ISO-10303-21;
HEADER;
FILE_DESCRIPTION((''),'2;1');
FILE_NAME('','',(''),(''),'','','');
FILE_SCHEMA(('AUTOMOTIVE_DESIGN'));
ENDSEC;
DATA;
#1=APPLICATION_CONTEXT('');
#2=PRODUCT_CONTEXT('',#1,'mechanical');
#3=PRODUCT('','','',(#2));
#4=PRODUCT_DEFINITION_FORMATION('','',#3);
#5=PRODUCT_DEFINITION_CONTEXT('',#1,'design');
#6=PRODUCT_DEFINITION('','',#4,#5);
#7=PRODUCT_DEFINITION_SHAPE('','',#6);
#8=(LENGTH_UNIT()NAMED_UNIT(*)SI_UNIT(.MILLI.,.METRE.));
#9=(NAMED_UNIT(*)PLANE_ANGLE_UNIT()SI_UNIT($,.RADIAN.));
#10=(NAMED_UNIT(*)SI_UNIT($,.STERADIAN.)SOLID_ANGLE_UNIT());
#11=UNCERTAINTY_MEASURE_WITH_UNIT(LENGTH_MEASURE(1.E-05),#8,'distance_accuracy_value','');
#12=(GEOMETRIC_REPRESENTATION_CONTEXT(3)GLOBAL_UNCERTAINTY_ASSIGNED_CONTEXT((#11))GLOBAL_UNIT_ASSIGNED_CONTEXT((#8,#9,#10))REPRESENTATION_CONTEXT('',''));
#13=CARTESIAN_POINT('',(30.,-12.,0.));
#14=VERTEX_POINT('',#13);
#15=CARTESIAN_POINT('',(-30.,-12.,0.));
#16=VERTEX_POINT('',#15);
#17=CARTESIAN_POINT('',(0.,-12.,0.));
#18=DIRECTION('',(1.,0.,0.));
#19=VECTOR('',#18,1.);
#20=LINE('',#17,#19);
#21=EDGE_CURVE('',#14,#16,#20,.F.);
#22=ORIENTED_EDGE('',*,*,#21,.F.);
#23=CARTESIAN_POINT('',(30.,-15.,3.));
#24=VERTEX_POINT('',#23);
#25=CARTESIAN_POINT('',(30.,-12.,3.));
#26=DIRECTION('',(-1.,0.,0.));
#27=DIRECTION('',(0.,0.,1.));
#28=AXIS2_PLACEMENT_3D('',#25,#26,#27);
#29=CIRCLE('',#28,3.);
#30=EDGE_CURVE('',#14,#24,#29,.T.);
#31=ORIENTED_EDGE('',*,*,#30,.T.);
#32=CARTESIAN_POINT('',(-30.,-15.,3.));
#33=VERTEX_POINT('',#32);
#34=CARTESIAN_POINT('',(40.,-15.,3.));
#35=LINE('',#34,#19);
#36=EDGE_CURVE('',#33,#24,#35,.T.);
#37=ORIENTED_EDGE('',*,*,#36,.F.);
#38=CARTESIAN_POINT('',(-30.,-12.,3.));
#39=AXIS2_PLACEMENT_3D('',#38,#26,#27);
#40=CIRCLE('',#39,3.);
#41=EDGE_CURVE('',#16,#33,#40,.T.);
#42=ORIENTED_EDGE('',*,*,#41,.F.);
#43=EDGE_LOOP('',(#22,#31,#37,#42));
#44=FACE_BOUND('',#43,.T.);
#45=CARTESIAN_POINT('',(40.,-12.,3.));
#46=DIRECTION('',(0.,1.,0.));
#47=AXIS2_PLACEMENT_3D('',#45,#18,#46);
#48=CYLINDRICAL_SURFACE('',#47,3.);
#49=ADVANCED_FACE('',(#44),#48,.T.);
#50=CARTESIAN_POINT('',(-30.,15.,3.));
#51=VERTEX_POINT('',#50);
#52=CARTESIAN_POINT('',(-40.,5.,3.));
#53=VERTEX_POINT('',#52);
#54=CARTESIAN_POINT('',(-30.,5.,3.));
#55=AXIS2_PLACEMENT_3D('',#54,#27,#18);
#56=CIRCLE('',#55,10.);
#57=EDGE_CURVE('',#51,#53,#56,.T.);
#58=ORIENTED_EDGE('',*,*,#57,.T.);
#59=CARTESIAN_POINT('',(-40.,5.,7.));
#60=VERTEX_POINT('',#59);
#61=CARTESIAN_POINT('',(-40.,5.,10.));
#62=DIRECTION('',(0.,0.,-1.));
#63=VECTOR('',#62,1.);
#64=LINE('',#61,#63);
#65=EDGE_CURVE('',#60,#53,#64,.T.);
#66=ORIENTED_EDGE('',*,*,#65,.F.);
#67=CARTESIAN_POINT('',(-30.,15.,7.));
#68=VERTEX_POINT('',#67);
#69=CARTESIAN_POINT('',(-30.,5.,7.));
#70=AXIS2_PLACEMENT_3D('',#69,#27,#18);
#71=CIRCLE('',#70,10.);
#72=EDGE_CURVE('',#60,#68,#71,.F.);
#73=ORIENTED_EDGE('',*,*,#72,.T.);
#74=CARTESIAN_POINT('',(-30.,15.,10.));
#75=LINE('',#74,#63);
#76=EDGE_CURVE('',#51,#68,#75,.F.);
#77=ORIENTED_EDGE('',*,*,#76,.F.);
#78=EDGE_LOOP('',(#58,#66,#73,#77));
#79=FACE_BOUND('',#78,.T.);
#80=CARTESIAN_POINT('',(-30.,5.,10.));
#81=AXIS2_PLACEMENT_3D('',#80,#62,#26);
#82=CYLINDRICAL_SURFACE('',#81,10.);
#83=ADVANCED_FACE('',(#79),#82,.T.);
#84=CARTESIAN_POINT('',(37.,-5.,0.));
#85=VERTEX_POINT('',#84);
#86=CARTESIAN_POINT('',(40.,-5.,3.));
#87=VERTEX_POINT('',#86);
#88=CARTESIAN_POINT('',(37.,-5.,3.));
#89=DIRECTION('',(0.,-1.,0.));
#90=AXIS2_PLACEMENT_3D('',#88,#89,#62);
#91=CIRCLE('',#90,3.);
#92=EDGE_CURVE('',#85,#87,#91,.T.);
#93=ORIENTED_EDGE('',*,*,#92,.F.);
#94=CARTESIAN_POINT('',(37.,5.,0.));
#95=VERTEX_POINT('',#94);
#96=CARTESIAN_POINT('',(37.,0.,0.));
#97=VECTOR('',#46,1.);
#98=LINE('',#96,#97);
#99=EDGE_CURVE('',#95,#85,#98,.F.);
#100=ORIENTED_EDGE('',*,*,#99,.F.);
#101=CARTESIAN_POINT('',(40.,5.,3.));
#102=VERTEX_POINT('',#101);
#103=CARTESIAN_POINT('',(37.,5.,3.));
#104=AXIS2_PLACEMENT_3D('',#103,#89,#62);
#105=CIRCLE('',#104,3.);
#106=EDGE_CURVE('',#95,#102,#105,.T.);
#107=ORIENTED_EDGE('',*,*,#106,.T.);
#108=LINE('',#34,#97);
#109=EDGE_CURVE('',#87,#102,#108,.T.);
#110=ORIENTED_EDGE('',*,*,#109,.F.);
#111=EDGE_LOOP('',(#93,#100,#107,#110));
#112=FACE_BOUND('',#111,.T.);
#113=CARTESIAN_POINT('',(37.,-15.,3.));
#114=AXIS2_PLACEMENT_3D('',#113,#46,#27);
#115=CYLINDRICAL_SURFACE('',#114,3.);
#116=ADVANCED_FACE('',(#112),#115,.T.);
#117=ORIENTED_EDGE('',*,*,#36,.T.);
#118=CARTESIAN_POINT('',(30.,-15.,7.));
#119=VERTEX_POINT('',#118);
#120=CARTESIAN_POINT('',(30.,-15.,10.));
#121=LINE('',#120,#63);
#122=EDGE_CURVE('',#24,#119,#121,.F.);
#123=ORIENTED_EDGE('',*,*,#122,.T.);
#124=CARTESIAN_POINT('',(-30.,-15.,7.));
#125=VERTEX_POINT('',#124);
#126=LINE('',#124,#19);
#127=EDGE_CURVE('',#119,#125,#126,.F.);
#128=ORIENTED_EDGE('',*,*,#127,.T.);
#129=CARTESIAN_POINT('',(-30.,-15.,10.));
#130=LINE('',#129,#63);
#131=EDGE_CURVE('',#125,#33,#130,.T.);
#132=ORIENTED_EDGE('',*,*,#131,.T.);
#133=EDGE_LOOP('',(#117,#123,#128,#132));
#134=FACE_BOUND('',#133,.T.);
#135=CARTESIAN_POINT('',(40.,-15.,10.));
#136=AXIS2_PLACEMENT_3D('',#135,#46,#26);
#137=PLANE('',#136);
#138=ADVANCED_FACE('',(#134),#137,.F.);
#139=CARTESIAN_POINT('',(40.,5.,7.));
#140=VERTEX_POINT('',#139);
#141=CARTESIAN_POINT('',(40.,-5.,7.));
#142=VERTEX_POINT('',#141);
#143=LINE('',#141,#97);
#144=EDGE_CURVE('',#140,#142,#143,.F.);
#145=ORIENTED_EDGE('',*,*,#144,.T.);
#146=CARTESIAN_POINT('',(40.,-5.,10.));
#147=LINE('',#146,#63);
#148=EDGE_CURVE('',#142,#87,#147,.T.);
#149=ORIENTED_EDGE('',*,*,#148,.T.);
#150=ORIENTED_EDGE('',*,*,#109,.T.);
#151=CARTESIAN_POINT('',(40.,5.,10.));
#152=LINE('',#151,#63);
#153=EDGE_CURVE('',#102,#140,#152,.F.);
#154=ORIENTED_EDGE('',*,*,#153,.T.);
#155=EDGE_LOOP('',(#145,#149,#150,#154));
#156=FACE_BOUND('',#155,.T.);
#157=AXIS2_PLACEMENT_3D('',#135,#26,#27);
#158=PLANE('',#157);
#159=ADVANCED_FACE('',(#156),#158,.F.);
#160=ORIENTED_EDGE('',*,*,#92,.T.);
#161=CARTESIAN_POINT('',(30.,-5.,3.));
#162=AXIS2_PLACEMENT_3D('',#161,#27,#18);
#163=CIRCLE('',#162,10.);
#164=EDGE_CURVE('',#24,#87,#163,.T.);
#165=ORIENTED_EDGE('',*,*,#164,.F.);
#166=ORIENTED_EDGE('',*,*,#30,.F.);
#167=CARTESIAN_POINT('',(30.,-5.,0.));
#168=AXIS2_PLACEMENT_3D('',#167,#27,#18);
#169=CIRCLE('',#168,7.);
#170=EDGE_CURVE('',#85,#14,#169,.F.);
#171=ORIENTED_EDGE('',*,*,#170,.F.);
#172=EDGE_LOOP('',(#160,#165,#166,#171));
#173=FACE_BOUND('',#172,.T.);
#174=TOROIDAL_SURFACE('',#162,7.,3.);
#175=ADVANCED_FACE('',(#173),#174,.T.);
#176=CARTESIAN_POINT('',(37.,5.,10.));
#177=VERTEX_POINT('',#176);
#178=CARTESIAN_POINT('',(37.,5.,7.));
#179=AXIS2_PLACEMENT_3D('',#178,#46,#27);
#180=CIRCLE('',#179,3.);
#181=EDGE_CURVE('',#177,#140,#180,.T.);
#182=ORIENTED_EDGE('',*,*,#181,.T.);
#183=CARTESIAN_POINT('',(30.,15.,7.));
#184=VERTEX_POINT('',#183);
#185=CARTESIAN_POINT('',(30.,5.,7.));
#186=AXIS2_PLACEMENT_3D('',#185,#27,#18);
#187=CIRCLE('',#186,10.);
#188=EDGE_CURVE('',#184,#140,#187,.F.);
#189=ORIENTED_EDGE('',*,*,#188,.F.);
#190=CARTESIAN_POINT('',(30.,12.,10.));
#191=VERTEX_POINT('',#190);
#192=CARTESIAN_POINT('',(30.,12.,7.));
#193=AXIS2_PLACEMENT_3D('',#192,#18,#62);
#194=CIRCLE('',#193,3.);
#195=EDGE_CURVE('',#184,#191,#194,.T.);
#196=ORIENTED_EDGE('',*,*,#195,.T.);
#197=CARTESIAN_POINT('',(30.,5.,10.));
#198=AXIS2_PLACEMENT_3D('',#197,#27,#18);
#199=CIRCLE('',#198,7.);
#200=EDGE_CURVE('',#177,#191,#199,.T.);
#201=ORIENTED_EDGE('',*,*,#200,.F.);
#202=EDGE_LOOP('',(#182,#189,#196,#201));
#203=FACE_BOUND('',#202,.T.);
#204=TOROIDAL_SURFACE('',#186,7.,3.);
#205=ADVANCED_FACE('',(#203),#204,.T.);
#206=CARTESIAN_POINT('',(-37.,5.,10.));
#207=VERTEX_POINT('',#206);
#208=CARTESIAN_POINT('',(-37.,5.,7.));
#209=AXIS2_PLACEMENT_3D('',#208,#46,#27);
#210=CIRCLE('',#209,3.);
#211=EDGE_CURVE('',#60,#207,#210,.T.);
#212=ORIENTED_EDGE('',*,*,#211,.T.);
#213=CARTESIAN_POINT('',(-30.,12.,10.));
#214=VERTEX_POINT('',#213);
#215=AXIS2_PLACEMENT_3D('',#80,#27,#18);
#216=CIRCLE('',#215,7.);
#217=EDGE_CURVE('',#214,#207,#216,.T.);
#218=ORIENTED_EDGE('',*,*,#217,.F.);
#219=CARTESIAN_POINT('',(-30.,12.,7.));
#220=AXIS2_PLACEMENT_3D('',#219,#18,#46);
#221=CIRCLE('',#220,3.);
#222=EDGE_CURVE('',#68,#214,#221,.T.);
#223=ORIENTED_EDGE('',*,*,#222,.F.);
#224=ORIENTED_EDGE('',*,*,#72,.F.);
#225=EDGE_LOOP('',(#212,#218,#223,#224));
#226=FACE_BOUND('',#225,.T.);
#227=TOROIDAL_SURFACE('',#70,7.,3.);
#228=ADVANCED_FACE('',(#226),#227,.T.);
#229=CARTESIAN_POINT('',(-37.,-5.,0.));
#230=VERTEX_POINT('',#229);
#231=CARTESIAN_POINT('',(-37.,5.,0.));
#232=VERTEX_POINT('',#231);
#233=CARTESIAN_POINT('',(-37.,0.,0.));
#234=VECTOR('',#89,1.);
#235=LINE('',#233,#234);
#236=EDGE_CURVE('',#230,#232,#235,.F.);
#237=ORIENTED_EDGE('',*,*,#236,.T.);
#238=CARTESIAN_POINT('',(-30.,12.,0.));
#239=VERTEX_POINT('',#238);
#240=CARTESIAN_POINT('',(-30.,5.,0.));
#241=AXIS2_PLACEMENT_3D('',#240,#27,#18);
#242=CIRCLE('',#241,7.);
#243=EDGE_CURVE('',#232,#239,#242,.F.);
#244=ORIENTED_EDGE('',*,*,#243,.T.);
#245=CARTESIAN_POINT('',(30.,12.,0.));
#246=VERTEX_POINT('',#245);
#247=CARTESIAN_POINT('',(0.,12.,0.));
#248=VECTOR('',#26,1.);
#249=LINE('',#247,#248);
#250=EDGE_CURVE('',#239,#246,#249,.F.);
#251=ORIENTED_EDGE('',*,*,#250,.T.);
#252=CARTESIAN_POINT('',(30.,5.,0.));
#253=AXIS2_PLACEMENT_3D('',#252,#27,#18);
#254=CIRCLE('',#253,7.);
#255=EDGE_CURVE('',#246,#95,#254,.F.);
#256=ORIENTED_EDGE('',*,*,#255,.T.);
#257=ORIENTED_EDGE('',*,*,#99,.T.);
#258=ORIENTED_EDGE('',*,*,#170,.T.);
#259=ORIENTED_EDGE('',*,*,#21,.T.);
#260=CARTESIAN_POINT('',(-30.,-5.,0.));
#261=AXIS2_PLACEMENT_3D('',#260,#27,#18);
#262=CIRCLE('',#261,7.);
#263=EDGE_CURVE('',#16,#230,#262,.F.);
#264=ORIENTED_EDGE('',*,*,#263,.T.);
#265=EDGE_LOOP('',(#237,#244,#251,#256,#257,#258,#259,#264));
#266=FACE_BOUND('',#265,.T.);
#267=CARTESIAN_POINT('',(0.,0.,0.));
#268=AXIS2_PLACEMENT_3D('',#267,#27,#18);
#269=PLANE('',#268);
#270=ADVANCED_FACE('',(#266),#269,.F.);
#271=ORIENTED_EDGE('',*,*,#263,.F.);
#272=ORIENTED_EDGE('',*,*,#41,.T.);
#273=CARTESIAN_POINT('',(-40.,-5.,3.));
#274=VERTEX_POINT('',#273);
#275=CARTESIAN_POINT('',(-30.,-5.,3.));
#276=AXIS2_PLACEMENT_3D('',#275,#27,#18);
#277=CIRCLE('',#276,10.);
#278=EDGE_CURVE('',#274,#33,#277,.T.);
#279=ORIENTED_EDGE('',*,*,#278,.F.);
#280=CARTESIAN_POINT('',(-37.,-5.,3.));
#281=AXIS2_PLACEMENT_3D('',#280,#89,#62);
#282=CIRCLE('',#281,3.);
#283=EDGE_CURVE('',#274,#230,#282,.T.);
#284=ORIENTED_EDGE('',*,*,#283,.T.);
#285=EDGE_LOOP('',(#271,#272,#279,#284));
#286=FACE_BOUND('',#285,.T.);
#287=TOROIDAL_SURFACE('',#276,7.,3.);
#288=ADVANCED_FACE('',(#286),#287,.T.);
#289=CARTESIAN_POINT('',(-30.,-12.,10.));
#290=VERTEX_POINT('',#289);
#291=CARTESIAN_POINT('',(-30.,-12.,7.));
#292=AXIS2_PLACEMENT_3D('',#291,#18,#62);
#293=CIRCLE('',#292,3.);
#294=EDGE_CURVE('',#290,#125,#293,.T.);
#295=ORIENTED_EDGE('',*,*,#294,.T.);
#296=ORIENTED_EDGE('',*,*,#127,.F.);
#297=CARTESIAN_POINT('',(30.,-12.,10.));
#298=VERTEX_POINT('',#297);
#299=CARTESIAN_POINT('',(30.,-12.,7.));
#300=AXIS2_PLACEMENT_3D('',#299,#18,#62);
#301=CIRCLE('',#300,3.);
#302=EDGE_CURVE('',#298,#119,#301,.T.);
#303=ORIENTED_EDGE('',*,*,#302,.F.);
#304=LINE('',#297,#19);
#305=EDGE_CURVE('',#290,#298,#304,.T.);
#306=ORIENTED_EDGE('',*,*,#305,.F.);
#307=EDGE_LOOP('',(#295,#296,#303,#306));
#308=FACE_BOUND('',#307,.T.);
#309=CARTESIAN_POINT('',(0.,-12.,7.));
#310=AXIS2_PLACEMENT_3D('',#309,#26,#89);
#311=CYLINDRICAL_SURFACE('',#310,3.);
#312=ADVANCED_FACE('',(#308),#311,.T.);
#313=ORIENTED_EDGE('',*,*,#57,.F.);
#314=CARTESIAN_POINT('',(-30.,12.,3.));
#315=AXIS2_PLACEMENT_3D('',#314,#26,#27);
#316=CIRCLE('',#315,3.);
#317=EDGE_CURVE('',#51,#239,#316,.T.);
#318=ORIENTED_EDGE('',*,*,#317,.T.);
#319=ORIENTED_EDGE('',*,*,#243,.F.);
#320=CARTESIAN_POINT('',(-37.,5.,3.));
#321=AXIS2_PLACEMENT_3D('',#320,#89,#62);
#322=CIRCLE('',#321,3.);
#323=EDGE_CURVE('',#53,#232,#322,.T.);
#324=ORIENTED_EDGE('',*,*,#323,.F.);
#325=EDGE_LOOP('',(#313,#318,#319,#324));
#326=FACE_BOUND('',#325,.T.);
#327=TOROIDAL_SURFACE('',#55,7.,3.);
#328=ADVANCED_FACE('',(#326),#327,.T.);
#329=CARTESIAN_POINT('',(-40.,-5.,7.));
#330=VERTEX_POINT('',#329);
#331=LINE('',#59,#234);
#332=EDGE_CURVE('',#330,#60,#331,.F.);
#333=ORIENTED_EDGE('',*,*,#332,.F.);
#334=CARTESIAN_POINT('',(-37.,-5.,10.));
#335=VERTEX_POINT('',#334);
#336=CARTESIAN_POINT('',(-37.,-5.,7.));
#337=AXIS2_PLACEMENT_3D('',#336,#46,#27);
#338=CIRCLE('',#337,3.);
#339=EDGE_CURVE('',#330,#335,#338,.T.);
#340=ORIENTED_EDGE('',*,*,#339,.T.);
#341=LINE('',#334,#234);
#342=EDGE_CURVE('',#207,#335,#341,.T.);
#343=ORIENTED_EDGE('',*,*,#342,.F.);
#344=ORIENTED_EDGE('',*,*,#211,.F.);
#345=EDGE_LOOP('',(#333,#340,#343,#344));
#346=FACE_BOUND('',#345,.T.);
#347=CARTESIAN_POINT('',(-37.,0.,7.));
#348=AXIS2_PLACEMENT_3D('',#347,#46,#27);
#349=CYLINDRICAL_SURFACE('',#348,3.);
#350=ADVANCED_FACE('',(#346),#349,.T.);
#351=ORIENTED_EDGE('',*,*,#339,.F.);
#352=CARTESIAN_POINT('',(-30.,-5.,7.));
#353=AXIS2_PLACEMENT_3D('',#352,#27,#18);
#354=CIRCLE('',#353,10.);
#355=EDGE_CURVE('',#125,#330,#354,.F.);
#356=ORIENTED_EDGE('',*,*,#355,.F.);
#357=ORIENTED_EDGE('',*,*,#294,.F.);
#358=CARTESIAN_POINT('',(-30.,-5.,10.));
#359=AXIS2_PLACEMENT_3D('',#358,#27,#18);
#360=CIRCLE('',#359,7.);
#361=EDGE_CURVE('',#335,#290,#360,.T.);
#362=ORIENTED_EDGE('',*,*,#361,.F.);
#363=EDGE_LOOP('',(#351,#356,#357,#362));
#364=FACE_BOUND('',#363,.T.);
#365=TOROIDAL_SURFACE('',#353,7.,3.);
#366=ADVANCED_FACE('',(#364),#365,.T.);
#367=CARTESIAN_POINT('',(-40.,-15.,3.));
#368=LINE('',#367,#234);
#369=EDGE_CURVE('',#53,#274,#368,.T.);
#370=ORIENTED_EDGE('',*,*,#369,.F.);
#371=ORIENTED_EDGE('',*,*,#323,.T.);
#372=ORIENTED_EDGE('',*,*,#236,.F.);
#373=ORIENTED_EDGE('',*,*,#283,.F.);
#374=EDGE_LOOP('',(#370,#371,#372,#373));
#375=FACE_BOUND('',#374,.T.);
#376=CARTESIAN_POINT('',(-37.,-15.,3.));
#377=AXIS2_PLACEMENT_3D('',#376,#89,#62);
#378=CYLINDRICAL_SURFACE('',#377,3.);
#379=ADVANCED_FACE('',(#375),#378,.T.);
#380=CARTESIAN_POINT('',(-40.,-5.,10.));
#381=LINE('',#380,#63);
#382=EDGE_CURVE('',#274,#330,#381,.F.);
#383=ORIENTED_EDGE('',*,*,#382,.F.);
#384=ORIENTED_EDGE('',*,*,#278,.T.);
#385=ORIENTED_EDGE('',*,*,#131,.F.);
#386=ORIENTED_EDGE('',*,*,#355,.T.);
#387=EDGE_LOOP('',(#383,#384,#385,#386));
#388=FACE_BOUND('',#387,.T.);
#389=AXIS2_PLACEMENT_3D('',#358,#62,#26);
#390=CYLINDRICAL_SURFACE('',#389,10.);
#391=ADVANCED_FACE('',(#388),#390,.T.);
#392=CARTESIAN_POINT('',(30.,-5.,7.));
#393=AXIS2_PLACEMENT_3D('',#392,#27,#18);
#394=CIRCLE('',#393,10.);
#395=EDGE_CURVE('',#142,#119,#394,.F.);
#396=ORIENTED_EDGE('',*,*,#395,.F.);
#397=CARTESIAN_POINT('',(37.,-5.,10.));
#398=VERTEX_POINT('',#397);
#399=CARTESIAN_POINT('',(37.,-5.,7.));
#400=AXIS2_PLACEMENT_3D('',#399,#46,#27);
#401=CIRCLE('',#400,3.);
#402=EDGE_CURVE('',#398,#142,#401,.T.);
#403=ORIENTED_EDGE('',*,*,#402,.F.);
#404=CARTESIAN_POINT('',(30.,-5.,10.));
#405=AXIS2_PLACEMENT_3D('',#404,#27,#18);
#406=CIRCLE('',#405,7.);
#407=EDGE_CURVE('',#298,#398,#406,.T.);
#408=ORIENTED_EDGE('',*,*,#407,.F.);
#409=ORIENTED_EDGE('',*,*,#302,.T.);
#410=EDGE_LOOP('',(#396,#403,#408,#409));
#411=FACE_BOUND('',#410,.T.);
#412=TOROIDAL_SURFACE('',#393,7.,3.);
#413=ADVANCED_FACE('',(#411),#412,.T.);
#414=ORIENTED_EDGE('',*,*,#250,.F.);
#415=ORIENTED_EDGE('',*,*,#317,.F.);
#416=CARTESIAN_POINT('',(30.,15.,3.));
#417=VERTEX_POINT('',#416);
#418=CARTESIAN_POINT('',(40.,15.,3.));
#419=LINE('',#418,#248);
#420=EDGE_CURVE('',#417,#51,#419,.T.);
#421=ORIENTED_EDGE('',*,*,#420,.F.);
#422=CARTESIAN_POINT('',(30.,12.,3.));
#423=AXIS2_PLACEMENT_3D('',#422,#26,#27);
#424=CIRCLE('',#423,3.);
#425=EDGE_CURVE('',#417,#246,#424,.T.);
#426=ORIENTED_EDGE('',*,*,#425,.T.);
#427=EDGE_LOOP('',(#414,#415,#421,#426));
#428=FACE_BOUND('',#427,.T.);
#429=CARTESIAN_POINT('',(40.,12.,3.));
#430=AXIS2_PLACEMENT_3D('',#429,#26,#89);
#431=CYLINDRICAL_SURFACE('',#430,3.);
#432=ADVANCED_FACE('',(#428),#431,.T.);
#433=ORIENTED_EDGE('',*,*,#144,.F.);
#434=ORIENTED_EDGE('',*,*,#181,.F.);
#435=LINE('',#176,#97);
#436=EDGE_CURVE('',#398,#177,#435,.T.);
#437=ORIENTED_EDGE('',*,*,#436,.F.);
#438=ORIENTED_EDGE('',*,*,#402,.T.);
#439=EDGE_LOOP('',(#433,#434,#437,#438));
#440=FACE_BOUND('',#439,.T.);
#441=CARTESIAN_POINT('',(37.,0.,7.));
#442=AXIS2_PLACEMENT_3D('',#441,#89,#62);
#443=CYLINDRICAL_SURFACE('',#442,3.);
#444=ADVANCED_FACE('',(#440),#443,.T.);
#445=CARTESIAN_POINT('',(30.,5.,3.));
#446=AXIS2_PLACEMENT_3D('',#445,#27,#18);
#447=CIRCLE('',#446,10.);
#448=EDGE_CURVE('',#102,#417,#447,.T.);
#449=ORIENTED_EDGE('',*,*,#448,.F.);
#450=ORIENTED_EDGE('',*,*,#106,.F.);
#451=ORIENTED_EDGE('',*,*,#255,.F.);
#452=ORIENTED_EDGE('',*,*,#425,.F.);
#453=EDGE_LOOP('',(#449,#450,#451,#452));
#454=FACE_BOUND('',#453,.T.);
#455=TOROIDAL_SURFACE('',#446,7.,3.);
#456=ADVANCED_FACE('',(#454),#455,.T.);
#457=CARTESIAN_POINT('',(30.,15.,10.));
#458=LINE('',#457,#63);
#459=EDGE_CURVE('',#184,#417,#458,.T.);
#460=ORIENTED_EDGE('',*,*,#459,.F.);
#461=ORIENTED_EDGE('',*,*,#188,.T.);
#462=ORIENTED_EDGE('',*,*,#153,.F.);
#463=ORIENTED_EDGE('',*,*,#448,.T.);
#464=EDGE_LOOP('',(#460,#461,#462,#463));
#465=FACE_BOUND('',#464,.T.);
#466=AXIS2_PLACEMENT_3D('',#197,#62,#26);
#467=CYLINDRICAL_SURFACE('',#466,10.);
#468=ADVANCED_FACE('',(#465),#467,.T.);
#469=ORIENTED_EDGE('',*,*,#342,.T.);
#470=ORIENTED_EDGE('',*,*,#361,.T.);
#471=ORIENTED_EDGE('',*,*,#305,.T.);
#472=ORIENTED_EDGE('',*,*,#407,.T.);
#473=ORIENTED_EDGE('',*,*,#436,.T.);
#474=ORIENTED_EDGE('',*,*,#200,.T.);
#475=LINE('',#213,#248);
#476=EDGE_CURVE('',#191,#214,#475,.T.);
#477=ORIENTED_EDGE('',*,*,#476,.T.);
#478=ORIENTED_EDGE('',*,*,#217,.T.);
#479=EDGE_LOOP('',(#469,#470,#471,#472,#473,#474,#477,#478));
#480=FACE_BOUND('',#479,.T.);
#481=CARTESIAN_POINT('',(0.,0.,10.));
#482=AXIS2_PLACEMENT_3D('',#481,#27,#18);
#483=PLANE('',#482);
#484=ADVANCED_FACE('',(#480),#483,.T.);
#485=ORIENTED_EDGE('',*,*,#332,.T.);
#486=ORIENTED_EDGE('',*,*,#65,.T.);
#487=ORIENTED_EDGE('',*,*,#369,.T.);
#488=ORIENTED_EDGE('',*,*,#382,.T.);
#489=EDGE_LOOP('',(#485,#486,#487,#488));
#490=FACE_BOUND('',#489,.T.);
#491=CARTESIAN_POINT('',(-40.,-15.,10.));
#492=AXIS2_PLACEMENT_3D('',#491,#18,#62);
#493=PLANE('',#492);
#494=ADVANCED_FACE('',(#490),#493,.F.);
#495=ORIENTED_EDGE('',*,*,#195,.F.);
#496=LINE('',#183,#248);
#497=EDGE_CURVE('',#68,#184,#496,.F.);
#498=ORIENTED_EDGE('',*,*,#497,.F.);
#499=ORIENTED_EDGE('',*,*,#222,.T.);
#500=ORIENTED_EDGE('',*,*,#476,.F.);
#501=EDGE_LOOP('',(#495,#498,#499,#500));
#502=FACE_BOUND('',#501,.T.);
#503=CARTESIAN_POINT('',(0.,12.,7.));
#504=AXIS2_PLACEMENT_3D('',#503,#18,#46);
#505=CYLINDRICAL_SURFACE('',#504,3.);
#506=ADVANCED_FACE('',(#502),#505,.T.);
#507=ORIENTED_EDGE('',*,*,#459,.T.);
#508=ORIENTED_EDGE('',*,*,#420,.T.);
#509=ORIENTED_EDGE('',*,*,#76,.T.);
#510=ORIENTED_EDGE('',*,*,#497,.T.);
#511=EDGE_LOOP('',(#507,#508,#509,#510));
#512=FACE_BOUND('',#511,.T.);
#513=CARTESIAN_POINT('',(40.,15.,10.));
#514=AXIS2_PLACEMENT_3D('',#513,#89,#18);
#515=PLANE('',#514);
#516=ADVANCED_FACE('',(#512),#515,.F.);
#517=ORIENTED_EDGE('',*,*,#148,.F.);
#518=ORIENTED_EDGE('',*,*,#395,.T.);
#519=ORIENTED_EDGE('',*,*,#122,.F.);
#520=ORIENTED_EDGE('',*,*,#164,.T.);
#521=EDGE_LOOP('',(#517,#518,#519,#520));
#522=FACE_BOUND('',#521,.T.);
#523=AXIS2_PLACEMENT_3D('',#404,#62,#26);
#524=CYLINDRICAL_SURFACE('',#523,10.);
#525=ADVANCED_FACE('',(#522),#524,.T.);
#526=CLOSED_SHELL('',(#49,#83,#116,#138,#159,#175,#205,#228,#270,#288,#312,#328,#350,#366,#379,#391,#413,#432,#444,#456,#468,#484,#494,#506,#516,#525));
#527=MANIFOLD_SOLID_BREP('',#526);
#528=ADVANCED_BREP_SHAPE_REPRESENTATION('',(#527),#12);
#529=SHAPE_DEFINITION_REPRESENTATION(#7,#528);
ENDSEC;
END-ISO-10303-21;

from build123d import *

# Parameters (mm, degrees)
SKETCH_1_W      = 80
SKETCH_1_H      = 30
EXTRUDE_1_DEPTH = 10
FILLET_1_R      = 10
FILLET_3_R      = 3


with BuildPart() as part:
    # 草图1 → 凸台-拉伸1 (new body)
    with BuildSketch(Plane.XY):
        Rectangle(SKETCH_1_W, SKETCH_1_H)
    extrude(amount=EXTRUDE_1_DEPTH)

    # 圆角1
    fillet_1_edges = [part.edges().sort_by_distance(p)[0] for p in [
        (-40, 15, 5),
        (40, 15, 5),
        (40, -15, 5),
        (-40, -15, 5),
    ]]
    fillet(fillet_1_edges, radius=FILLET_1_R)

    # 圆角3
    fillet_3_edges = [part.edges().sort_by_distance(p)[0] for p in [
        (40, 0, 0),
        (40, 0, 10),
        (-40, 0, 0),
        (0, 15, 0),
        (0, -15, 0),
        (-37.071067812, -12.071067812, 0),
        (-37.071067812, 12.071067812, 0),
        (37.071067812, 12.071067812, 0),
        (37.071067812, -12.071067812, 0),
        (0, -15, 10),
        (-40, 0, 10),
        (0, 15, 10),
        (-37.071067812, -12.071067812, 10),
        (-37.071067812, 12.071067812, 10),
        (37.071067812, 12.071067812, 10),
        (37.071067812, -12.071067812, 10),
    ]]
    fillet(fillet_3_edges, radius=FILLET_3_R)


solid = part.part
